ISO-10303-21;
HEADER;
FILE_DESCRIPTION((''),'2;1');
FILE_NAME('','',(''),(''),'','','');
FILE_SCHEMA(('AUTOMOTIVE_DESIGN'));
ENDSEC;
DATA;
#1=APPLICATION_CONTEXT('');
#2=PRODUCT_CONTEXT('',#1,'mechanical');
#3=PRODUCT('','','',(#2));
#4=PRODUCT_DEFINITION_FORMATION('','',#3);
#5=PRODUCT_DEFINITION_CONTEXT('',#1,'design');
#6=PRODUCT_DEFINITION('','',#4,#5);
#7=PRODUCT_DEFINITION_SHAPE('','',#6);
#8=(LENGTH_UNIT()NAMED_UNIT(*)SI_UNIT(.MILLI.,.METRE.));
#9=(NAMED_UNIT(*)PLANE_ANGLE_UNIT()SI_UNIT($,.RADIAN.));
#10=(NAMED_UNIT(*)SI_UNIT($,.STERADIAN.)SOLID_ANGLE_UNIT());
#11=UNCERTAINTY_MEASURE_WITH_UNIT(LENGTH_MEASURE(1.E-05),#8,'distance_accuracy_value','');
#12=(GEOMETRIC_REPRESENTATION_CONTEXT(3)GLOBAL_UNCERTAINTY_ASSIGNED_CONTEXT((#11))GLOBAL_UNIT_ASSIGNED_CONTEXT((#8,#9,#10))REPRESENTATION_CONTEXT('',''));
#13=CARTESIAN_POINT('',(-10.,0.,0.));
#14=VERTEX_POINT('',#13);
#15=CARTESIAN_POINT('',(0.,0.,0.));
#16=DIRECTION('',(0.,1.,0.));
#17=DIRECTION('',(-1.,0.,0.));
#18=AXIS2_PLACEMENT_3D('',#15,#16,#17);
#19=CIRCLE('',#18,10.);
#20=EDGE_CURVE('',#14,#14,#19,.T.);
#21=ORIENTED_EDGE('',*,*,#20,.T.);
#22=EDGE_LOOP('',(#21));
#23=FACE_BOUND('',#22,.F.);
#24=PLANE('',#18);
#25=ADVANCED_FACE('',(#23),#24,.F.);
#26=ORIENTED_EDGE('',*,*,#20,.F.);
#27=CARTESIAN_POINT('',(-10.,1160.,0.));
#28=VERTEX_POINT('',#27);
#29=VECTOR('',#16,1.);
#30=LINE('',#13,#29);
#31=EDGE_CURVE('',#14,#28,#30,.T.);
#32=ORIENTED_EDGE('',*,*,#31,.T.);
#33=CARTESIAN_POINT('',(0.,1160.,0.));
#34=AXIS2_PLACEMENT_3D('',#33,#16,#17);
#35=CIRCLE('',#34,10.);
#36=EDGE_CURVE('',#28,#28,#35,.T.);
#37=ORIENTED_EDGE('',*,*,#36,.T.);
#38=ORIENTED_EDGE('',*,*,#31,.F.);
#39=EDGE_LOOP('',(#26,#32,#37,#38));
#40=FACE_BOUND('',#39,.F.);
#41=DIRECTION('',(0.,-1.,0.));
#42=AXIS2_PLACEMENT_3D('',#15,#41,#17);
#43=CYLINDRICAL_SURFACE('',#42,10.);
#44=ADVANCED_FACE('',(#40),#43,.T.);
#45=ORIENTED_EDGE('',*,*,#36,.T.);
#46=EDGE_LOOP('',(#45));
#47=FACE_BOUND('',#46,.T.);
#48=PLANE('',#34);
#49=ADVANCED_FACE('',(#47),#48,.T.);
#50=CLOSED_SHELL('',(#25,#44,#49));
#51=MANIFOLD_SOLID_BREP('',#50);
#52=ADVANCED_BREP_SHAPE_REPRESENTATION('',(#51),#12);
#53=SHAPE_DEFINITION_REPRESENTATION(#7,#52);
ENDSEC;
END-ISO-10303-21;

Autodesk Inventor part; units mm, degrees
ref_plane "YZ Plane" through (0, 0, 0) normal (1, 0, 0) x (0, 1, 0)
ref_plane "XZ Plane" through (0, 0, 0) normal (0, 1, 0) x (-1, 0, 0)
ref_plane "XY Plane" through (0, 0, 0) normal (0, 0, 1) x (1, 0, 0)
sketch "Sketch1" plane through (0, 0, 0) normal (0, 1, 0) x (-1, 0, 0)
  circle A0 centre (0, 0) radius 10
  dimension "d0" = 20
extrude "Extrusion1" add sketch "Sketch1" along normal blind 1160
properties part number "Rod" material "Steel, Galvanized"
